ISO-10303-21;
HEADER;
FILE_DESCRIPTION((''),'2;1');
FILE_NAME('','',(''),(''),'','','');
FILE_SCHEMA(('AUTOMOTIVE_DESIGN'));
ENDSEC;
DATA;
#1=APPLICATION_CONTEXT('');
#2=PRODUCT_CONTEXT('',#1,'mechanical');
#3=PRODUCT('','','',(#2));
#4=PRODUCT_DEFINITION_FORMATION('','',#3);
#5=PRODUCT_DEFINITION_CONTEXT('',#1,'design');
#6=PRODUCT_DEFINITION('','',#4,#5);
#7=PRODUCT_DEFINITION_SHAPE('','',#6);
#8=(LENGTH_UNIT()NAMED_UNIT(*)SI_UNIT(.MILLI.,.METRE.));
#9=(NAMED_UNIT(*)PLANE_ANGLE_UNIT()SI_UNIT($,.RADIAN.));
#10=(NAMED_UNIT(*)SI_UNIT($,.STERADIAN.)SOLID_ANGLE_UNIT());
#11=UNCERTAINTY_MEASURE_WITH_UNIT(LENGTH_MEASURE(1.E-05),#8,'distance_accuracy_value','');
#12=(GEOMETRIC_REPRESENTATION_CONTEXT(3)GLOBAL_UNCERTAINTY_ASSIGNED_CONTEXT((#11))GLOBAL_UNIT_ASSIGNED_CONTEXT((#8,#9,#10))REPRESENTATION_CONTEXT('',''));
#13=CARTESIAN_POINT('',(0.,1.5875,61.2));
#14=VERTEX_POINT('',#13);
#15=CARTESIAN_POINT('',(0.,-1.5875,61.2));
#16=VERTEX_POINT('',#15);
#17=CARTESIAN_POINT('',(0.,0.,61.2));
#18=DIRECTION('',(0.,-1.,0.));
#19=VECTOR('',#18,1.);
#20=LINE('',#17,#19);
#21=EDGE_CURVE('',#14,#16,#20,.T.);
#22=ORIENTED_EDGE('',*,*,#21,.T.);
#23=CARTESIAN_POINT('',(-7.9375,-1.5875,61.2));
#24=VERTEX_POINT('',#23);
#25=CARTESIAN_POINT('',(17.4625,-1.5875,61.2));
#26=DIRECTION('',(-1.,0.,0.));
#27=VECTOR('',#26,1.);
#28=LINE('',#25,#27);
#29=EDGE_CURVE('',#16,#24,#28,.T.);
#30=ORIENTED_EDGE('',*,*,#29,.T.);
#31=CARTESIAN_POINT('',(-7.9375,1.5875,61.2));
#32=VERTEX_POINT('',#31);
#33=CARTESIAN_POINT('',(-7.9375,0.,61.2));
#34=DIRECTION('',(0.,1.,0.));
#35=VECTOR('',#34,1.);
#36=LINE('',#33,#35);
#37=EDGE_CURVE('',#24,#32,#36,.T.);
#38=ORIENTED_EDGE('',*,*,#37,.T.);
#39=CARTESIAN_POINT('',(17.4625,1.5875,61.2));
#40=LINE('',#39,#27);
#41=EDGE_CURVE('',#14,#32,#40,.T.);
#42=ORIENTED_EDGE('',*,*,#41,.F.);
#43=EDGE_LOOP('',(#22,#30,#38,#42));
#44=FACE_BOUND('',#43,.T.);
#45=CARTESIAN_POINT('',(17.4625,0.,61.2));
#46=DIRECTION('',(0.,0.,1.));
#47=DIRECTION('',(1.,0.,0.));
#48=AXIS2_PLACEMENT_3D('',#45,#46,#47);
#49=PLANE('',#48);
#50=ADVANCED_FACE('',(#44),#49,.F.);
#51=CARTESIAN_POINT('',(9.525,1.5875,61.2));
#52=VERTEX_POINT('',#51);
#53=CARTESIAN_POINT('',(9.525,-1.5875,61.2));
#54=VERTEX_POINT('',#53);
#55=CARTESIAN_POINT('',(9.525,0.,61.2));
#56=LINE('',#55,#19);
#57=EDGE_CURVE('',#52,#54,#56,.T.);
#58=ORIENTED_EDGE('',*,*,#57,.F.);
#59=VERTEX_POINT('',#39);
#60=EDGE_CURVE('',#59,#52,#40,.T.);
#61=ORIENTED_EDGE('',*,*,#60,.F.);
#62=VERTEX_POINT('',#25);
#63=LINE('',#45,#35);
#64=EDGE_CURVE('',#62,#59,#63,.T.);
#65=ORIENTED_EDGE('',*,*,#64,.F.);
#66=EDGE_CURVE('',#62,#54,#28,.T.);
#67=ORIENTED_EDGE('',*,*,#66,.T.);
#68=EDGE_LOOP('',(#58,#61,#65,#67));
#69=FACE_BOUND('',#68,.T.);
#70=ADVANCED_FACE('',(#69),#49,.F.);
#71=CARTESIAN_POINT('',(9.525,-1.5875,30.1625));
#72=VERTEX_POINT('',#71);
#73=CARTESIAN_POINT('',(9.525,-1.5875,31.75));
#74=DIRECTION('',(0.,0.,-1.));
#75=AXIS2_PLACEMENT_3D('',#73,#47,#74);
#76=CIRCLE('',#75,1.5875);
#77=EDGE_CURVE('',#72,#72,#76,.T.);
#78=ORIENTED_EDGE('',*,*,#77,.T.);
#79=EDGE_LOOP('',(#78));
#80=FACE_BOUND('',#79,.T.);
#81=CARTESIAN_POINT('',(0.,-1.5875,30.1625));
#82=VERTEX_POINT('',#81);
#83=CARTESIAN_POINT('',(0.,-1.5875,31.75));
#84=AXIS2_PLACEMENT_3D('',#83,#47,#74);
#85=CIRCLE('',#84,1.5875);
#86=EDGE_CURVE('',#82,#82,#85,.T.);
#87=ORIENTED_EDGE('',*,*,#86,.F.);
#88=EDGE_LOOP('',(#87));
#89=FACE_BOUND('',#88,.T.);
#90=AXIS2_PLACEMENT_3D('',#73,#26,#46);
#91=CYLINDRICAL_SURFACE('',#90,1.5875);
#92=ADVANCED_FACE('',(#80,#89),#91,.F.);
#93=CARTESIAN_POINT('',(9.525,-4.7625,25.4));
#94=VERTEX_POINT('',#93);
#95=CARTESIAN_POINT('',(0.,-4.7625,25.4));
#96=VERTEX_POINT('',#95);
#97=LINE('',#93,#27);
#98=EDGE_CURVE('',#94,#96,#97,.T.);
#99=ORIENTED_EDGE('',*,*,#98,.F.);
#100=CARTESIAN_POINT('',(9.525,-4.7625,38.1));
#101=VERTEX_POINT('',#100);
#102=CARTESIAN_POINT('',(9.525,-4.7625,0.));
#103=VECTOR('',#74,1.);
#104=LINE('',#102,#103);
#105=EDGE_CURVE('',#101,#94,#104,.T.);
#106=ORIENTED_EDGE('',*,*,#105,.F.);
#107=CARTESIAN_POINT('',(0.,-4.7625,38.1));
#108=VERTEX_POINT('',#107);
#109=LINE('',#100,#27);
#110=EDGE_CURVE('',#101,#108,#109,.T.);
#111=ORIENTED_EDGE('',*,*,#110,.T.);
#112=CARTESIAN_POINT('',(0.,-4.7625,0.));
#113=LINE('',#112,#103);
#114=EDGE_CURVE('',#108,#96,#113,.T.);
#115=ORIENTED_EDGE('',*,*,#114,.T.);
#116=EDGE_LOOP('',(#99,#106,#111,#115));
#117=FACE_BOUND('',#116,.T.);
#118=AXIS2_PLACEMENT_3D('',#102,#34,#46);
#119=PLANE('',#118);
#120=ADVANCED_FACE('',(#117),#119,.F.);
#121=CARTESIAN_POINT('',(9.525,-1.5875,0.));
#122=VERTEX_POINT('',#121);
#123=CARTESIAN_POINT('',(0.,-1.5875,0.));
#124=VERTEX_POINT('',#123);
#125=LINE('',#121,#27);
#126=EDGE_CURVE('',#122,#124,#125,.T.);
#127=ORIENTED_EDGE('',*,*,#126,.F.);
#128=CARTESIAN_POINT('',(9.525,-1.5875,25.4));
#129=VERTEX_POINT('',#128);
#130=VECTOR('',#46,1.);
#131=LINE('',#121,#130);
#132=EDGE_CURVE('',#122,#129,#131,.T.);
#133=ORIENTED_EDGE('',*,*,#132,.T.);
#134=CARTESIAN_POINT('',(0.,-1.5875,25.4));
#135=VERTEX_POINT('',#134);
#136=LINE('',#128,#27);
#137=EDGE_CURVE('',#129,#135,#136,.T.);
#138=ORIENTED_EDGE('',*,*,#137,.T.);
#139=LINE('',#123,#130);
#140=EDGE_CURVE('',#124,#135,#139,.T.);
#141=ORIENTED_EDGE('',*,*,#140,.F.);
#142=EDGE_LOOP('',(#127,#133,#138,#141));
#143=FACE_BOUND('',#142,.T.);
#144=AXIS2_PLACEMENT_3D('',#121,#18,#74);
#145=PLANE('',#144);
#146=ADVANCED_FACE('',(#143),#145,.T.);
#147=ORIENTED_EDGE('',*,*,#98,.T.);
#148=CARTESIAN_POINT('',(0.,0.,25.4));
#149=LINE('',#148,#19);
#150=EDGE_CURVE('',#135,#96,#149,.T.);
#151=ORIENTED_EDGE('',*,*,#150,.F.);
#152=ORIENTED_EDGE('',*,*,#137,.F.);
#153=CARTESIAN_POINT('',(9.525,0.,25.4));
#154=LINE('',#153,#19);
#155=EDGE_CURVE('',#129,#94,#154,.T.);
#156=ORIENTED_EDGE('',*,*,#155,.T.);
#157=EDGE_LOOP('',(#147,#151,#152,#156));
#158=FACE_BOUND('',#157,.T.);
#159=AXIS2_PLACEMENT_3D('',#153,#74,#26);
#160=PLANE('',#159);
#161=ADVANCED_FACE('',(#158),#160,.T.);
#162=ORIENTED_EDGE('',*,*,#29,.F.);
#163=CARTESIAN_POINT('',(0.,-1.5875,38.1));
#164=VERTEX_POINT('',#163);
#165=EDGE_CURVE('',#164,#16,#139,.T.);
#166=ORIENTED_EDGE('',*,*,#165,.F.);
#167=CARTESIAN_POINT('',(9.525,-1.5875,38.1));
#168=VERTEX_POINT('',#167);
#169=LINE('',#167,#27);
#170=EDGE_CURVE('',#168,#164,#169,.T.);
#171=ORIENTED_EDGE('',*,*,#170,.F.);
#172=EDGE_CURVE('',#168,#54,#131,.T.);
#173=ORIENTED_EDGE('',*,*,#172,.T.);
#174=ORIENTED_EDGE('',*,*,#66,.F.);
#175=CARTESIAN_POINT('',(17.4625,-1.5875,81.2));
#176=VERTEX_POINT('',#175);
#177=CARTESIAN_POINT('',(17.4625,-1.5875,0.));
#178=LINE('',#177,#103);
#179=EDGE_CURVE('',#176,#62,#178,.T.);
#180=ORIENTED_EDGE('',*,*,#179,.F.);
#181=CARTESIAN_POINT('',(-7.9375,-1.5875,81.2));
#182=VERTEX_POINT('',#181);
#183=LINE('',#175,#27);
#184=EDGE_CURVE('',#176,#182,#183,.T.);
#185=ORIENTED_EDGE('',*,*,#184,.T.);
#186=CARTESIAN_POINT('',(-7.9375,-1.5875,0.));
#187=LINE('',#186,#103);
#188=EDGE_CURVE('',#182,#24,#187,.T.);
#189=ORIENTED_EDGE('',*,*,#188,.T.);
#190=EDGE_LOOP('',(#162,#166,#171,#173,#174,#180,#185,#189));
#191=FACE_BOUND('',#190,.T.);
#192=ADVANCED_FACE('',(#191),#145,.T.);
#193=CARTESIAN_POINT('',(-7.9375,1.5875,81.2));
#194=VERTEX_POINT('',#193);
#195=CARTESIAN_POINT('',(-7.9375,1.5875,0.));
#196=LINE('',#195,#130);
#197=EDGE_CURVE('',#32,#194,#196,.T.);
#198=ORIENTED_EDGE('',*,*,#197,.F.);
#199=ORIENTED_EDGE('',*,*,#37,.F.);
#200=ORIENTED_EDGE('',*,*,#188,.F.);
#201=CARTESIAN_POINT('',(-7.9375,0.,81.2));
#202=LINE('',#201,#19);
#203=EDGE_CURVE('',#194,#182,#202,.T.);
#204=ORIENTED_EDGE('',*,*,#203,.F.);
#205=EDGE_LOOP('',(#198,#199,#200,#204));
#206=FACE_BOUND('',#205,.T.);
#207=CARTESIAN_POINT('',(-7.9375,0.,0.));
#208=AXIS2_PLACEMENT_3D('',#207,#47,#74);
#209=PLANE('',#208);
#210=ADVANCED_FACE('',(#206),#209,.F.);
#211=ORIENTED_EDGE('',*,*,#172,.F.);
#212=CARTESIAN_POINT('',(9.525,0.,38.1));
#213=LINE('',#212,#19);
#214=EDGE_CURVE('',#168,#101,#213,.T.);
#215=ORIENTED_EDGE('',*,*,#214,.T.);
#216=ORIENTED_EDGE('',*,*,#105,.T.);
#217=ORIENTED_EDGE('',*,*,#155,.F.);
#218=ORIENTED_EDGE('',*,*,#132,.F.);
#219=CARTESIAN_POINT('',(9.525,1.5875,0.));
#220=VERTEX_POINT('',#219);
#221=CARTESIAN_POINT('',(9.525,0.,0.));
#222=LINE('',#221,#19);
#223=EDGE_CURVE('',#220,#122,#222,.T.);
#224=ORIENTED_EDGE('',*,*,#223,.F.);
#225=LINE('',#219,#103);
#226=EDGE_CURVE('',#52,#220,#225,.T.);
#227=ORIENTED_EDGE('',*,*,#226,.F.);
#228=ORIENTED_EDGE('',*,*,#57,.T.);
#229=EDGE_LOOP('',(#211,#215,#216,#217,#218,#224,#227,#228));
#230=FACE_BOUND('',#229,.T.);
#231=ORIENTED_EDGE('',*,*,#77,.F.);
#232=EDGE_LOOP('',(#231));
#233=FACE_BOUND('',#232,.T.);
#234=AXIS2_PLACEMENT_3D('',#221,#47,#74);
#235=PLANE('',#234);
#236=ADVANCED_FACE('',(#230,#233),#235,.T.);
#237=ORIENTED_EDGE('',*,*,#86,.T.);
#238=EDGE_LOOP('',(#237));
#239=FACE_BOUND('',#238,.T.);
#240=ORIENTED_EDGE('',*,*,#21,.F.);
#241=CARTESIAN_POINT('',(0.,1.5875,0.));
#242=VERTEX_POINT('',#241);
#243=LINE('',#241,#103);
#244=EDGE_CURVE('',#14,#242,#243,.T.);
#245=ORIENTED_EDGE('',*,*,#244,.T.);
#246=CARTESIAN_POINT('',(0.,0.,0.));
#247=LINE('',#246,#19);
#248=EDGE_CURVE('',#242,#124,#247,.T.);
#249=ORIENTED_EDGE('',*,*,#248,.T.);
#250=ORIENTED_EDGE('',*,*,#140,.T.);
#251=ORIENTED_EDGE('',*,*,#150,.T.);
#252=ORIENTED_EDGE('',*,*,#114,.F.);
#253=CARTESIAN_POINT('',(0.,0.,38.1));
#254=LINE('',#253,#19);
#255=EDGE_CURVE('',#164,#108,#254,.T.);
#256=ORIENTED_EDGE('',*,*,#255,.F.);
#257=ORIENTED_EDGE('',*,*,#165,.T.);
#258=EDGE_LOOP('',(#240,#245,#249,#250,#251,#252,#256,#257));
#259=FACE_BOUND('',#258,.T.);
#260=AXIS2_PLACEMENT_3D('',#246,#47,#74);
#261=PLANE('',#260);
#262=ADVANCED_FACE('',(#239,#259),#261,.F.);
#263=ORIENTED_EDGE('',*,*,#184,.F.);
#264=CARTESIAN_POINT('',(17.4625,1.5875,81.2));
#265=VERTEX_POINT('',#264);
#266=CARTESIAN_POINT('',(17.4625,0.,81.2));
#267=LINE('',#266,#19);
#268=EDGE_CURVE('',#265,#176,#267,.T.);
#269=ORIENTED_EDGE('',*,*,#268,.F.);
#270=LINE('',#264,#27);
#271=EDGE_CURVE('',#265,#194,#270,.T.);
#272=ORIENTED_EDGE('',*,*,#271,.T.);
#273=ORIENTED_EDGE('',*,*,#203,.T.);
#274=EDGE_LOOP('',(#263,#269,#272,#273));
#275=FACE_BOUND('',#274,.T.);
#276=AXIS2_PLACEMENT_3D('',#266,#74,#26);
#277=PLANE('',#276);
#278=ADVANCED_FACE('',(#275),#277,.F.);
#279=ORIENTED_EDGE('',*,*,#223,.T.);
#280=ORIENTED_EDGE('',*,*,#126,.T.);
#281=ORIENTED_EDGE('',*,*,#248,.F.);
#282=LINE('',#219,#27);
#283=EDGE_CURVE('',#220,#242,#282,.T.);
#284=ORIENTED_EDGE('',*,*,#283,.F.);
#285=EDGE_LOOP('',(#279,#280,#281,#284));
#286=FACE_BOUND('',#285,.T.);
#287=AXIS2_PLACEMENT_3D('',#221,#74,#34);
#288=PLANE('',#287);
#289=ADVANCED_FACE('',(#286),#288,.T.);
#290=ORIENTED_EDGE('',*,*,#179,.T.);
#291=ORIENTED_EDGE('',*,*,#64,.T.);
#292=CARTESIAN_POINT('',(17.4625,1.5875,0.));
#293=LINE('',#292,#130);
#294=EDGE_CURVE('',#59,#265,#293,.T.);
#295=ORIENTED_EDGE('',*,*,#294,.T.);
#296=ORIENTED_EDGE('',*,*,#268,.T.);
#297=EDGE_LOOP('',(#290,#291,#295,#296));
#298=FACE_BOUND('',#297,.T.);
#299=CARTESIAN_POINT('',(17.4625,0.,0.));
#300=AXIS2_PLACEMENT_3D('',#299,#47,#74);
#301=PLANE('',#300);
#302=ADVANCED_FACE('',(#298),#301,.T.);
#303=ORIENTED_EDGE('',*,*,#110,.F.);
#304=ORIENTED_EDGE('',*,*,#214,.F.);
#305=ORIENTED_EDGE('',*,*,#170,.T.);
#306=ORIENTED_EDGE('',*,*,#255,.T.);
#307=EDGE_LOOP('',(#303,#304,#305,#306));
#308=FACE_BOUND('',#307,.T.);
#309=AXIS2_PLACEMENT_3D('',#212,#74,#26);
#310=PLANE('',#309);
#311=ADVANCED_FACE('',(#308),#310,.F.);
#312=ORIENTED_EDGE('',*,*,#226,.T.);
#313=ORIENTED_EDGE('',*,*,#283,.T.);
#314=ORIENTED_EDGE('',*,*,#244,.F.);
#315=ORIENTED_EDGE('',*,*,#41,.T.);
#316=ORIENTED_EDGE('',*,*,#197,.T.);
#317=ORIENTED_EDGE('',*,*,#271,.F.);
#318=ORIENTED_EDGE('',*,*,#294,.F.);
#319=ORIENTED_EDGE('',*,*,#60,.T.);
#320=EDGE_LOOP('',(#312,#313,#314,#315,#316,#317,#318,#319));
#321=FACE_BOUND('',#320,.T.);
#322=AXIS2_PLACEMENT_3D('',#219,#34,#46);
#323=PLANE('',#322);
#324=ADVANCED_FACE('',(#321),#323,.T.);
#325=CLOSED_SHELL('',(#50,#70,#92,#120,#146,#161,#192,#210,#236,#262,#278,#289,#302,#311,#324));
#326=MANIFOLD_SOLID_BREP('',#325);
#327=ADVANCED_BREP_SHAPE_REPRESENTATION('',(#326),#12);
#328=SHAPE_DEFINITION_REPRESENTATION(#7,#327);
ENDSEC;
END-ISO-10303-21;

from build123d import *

# Parameters (mm, degrees)
SKETCH1_R           = 1.5875
BOSS_EXTRUDE1_DEPTH = 9.525
SKETCH3_W           = 15
SKETCH3_H           = 3.175
SKETCH3_W_2         = 5
BOSS_EXTRUDE2_DEPTH = 12.7


with BuildPart() as part:
    # Sketch1 → Boss-Extrude1 (new body)
    with BuildSketch(Plane(origin=(0, 0, 0), x_dir=(0, 0, -1), z_dir=(1, 0, 0))):
        Polygon((0, 1.5875), (0, -1.5875), (-25.4, -1.5875), (-25.4, -4.7625), (-38.1, -4.7625), (-38.1, -1.5875), (-76.2, -1.5875), (-76.2, 1.5875), align=None)
        with Locations((-31.75, -1.5875)):
            Circle(SKETCH1_R, mode=Mode.SUBTRACT)
    extrude(amount=BOSS_EXTRUDE1_DEPTH)

    # Sketch3 → Boss-Extrude2 (add, symmetric)
    with BuildSketch(Plane(origin=(4.7625, 0, 0), x_dir=(0, 0, -1), z_dir=(1, 0, 0))):
        with Locations((-68.7, 0)):
            Rectangle(SKETCH3_W, SKETCH3_H)
        with Locations((-78.7, 0)):
            Rectangle(SKETCH3_W_2, SKETCH3_H)
    extrude(amount=BOSS_EXTRUDE2_DEPTH, both=True)


solid = part.part
